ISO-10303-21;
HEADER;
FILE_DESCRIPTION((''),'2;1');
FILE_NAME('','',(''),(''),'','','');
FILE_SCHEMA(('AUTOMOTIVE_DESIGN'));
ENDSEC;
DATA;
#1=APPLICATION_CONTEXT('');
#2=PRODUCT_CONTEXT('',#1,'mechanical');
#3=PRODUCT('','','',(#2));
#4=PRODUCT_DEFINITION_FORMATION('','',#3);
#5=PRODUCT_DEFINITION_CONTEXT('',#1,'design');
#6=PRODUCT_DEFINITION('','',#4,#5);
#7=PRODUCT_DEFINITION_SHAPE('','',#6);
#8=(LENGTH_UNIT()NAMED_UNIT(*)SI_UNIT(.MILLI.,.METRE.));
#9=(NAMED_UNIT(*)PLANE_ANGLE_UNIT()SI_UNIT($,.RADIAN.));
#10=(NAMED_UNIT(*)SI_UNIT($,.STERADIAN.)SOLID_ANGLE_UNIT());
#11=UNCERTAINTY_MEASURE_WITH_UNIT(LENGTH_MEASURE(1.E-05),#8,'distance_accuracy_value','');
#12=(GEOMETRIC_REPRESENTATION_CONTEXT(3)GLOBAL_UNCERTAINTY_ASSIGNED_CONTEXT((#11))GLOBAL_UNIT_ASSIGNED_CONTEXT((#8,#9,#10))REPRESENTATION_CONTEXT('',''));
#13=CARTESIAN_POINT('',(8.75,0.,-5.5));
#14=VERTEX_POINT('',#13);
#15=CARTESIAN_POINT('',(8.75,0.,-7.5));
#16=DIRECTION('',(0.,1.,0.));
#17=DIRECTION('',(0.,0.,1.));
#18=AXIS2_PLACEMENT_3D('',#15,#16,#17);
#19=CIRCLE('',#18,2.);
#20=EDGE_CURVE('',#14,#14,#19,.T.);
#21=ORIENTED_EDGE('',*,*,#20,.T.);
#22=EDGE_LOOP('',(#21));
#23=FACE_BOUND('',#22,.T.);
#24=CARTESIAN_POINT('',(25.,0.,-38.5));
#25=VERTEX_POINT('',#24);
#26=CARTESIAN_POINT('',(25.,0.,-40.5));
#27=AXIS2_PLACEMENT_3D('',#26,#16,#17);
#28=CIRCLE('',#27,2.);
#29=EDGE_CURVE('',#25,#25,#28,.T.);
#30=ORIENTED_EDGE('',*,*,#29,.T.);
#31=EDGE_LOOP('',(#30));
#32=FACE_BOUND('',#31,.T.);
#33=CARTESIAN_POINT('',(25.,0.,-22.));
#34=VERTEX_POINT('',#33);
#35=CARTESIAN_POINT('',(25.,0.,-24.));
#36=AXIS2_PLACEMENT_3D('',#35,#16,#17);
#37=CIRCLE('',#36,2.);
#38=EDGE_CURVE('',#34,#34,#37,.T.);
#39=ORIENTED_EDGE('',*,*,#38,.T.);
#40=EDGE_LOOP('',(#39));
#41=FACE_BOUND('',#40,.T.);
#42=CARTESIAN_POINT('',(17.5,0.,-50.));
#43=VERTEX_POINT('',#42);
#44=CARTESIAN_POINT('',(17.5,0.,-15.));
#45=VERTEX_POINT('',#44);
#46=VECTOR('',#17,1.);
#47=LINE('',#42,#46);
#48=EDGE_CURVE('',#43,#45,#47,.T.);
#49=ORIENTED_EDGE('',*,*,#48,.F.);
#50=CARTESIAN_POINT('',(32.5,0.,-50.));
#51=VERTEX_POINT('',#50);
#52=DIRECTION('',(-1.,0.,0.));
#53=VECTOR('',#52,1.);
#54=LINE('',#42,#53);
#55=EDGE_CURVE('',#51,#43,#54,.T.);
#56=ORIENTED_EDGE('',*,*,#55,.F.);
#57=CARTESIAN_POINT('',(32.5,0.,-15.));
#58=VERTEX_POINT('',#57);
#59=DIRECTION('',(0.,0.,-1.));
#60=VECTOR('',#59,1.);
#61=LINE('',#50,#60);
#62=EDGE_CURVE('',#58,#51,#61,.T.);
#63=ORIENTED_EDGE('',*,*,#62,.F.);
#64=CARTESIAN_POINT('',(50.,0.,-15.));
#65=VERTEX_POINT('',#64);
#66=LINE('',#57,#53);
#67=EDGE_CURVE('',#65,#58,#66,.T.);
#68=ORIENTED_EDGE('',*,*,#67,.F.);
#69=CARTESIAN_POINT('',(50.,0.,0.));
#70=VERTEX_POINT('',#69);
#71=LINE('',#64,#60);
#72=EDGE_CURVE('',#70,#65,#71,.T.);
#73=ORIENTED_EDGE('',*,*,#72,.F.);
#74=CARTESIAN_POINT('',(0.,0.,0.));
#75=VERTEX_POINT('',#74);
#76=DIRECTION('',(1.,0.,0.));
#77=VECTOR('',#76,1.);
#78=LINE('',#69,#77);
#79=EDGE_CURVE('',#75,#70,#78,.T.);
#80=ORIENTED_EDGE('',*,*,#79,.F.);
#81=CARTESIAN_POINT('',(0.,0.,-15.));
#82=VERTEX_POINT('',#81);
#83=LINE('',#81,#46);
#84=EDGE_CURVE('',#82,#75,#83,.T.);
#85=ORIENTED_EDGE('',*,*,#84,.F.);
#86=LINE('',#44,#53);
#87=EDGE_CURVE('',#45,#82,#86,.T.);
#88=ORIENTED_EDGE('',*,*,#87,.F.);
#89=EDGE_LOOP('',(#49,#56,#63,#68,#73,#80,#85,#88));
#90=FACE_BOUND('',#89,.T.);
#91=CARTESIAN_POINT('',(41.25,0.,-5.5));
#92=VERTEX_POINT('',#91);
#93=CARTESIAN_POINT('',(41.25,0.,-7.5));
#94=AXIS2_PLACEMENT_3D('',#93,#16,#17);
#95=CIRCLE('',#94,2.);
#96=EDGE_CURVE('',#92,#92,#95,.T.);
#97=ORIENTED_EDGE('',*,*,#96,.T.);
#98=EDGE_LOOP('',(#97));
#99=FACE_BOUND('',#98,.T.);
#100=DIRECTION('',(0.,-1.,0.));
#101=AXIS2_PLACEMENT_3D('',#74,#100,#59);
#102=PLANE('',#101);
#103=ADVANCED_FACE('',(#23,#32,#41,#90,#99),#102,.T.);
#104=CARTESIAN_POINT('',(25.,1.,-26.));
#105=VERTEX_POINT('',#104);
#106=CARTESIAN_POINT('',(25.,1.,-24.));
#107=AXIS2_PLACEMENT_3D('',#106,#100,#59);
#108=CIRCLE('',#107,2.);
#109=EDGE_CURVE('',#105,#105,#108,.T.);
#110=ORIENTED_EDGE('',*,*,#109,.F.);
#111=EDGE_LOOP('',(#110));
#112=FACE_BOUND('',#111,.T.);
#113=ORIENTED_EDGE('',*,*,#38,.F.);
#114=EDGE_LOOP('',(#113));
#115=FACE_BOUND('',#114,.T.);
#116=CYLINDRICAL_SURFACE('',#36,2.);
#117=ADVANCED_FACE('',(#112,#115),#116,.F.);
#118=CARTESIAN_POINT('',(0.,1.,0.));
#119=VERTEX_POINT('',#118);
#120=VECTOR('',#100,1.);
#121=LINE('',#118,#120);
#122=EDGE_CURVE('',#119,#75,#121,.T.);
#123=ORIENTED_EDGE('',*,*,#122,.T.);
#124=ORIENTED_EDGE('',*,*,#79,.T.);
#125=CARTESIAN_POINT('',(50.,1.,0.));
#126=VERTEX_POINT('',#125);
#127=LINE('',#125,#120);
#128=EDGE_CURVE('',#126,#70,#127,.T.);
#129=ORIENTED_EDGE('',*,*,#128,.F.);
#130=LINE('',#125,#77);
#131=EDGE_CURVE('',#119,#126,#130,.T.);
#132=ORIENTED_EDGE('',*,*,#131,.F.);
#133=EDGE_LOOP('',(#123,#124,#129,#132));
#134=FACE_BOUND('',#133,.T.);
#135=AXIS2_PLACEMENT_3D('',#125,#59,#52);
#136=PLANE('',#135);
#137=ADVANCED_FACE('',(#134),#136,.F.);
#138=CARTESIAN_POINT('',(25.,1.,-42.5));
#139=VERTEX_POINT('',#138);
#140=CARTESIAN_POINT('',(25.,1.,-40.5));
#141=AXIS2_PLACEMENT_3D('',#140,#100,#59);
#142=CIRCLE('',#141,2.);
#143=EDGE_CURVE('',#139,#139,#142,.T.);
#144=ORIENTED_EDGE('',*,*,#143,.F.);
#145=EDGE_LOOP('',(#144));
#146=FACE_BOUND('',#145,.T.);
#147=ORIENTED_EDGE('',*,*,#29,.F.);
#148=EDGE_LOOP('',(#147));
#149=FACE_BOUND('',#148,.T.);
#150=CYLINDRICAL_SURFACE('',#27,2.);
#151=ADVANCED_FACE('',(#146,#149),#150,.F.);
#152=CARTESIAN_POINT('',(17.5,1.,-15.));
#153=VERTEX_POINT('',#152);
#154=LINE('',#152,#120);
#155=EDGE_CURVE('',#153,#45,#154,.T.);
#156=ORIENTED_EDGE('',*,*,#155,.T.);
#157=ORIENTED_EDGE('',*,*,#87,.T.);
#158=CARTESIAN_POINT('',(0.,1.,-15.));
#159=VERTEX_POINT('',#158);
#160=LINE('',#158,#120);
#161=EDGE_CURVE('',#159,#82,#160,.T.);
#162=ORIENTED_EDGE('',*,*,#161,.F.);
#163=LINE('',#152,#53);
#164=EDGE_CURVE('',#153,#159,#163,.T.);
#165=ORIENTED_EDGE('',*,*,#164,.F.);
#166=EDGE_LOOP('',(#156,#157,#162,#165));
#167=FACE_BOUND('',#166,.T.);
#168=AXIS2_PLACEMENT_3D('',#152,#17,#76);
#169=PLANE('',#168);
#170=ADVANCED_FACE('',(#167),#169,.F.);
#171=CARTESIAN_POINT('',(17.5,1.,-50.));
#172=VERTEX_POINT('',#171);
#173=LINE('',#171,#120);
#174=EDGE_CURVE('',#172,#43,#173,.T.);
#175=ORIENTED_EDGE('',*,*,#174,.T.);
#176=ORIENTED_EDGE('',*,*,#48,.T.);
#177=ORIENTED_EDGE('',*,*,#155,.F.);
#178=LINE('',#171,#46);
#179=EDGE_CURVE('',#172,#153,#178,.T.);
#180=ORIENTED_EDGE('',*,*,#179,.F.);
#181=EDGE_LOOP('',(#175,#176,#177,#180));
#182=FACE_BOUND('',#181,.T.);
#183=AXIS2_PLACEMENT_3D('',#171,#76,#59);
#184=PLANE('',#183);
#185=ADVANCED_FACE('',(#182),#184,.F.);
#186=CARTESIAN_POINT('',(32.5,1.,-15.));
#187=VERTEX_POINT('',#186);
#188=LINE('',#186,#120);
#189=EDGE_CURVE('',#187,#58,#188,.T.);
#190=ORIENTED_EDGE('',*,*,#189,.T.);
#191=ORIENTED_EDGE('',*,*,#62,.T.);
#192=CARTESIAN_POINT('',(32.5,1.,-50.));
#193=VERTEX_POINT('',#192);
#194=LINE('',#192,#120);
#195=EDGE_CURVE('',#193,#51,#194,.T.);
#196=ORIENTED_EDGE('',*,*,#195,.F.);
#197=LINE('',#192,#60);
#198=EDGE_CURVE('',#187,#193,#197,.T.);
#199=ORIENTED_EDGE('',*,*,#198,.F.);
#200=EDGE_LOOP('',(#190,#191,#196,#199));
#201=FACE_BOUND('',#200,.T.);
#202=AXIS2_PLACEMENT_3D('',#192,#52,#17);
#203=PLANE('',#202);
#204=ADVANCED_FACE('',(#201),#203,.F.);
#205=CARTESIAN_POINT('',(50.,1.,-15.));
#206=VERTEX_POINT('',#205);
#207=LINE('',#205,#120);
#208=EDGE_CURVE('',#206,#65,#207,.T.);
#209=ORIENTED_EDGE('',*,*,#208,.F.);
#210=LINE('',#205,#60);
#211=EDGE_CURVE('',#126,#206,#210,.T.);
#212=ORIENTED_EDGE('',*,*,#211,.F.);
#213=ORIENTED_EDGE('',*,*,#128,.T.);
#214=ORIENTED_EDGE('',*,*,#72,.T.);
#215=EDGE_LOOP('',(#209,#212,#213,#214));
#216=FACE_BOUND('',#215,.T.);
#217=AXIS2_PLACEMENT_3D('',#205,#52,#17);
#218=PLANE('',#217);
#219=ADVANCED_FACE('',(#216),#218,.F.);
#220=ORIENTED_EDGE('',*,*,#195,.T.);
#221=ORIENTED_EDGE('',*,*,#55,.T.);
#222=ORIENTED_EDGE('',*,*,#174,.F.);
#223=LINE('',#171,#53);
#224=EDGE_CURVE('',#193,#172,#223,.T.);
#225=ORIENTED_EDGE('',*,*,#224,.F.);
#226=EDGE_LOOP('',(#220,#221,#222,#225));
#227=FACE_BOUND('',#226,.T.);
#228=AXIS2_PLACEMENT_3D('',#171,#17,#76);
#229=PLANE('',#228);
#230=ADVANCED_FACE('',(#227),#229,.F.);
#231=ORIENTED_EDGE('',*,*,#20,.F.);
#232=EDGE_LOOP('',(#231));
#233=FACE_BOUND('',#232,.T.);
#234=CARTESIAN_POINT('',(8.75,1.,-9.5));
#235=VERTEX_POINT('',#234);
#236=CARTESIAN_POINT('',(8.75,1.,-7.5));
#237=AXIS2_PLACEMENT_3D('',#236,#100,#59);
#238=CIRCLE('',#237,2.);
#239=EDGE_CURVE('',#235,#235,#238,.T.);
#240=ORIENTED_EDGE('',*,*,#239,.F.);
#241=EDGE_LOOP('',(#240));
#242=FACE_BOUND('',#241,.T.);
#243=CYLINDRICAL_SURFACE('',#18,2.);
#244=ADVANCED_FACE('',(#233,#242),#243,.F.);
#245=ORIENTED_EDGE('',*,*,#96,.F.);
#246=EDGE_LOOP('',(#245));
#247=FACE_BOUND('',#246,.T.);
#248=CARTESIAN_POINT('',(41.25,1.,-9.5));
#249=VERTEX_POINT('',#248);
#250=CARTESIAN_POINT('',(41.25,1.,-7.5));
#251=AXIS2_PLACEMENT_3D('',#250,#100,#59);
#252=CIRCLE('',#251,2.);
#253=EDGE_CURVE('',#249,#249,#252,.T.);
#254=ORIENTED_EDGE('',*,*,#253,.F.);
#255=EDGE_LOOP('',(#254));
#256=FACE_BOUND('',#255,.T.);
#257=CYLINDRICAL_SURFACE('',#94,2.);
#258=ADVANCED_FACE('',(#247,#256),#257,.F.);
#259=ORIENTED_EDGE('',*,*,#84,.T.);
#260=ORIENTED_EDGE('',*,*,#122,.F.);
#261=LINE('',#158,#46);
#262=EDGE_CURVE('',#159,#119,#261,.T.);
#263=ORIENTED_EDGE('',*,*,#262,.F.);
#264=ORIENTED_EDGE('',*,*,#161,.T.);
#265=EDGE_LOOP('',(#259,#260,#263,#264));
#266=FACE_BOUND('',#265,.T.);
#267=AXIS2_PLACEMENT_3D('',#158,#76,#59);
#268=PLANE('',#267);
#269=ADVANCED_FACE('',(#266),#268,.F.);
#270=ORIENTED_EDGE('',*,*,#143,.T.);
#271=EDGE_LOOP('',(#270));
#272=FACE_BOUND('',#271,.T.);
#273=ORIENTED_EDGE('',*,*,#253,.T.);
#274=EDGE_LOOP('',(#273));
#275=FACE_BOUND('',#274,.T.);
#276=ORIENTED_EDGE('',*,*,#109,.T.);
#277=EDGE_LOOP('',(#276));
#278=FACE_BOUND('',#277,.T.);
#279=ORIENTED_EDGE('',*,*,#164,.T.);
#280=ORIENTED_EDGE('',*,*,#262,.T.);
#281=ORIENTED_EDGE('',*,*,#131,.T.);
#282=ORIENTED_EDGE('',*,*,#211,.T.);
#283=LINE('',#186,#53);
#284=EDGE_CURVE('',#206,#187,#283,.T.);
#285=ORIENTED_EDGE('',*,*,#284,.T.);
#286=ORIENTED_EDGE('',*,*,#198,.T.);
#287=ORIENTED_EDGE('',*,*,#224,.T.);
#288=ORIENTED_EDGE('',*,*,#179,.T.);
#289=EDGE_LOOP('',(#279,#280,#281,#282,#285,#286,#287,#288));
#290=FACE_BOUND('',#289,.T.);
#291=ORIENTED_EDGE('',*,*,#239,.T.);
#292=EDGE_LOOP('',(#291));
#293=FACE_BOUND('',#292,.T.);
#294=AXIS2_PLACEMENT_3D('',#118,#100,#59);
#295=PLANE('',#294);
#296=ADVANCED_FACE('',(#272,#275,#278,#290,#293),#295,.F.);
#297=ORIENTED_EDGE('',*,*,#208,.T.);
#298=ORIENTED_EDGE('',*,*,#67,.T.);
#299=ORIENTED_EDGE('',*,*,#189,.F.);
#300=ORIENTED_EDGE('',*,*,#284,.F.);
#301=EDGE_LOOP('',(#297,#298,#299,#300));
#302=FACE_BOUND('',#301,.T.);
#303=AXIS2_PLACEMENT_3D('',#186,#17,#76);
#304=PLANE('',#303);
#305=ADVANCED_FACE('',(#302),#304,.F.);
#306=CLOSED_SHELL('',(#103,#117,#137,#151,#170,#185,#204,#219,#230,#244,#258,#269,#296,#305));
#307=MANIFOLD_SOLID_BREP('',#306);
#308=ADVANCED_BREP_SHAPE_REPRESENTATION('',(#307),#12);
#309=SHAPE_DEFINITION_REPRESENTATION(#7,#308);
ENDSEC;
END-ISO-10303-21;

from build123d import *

# Parameters (mm, degrees)
BOSS_EXTRUDE1_DEPTH     = 1
CUT_EXTRUDE1_DEPTH      = 71.717748833
CUT_EXTRUDE1_DEPTH_BACK = 71.717748833
SKETCH2_R               = 2


with BuildPart() as part:
    # Sketch1 → Boss-Extrude1 (new body)
    with BuildSketch(Plane(origin=(0, 0, 0), x_dir=(1, 0, 0), z_dir=(0, 1, 0))):
        Polygon((17.5, 50), (32.5, 50), (32.5, 15), (50, 15), (50, 0), (0, 0), (0, 15), (17.5, 15), align=None)
    extrude(amount=BOSS_EXTRUDE1_DEPTH)

    # Sketch2 → Cut-Extrude1 (cut, two sides: drawn at the far end of the back side and taken through both)
    with BuildSketch(Plane(origin=(0, 1, 0), x_dir=(1, 0, 0), z_dir=(0, 1, 0)).offset(-CUT_EXTRUDE1_DEPTH_BACK)):
        with Locations(Location((41.25, 7.5, 0), (0, 0, 270))):
            Circle(SKETCH2_R)
        with Locations(Location((25, 40.5, 0), (0, 0, 270))):
            Circle(SKETCH2_R)
        with Locations(Location((25, 24, 0), (0, 0, 270))):
            Circle(SKETCH2_R)
        with Locations(Location((8.75, 7.5, 0), (0, 0, 270))):
            Circle(SKETCH2_R)
    extrude(amount=CUT_EXTRUDE1_DEPTH + CUT_EXTRUDE1_DEPTH_BACK, mode=Mode.SUBTRACT)


solid = part.part
